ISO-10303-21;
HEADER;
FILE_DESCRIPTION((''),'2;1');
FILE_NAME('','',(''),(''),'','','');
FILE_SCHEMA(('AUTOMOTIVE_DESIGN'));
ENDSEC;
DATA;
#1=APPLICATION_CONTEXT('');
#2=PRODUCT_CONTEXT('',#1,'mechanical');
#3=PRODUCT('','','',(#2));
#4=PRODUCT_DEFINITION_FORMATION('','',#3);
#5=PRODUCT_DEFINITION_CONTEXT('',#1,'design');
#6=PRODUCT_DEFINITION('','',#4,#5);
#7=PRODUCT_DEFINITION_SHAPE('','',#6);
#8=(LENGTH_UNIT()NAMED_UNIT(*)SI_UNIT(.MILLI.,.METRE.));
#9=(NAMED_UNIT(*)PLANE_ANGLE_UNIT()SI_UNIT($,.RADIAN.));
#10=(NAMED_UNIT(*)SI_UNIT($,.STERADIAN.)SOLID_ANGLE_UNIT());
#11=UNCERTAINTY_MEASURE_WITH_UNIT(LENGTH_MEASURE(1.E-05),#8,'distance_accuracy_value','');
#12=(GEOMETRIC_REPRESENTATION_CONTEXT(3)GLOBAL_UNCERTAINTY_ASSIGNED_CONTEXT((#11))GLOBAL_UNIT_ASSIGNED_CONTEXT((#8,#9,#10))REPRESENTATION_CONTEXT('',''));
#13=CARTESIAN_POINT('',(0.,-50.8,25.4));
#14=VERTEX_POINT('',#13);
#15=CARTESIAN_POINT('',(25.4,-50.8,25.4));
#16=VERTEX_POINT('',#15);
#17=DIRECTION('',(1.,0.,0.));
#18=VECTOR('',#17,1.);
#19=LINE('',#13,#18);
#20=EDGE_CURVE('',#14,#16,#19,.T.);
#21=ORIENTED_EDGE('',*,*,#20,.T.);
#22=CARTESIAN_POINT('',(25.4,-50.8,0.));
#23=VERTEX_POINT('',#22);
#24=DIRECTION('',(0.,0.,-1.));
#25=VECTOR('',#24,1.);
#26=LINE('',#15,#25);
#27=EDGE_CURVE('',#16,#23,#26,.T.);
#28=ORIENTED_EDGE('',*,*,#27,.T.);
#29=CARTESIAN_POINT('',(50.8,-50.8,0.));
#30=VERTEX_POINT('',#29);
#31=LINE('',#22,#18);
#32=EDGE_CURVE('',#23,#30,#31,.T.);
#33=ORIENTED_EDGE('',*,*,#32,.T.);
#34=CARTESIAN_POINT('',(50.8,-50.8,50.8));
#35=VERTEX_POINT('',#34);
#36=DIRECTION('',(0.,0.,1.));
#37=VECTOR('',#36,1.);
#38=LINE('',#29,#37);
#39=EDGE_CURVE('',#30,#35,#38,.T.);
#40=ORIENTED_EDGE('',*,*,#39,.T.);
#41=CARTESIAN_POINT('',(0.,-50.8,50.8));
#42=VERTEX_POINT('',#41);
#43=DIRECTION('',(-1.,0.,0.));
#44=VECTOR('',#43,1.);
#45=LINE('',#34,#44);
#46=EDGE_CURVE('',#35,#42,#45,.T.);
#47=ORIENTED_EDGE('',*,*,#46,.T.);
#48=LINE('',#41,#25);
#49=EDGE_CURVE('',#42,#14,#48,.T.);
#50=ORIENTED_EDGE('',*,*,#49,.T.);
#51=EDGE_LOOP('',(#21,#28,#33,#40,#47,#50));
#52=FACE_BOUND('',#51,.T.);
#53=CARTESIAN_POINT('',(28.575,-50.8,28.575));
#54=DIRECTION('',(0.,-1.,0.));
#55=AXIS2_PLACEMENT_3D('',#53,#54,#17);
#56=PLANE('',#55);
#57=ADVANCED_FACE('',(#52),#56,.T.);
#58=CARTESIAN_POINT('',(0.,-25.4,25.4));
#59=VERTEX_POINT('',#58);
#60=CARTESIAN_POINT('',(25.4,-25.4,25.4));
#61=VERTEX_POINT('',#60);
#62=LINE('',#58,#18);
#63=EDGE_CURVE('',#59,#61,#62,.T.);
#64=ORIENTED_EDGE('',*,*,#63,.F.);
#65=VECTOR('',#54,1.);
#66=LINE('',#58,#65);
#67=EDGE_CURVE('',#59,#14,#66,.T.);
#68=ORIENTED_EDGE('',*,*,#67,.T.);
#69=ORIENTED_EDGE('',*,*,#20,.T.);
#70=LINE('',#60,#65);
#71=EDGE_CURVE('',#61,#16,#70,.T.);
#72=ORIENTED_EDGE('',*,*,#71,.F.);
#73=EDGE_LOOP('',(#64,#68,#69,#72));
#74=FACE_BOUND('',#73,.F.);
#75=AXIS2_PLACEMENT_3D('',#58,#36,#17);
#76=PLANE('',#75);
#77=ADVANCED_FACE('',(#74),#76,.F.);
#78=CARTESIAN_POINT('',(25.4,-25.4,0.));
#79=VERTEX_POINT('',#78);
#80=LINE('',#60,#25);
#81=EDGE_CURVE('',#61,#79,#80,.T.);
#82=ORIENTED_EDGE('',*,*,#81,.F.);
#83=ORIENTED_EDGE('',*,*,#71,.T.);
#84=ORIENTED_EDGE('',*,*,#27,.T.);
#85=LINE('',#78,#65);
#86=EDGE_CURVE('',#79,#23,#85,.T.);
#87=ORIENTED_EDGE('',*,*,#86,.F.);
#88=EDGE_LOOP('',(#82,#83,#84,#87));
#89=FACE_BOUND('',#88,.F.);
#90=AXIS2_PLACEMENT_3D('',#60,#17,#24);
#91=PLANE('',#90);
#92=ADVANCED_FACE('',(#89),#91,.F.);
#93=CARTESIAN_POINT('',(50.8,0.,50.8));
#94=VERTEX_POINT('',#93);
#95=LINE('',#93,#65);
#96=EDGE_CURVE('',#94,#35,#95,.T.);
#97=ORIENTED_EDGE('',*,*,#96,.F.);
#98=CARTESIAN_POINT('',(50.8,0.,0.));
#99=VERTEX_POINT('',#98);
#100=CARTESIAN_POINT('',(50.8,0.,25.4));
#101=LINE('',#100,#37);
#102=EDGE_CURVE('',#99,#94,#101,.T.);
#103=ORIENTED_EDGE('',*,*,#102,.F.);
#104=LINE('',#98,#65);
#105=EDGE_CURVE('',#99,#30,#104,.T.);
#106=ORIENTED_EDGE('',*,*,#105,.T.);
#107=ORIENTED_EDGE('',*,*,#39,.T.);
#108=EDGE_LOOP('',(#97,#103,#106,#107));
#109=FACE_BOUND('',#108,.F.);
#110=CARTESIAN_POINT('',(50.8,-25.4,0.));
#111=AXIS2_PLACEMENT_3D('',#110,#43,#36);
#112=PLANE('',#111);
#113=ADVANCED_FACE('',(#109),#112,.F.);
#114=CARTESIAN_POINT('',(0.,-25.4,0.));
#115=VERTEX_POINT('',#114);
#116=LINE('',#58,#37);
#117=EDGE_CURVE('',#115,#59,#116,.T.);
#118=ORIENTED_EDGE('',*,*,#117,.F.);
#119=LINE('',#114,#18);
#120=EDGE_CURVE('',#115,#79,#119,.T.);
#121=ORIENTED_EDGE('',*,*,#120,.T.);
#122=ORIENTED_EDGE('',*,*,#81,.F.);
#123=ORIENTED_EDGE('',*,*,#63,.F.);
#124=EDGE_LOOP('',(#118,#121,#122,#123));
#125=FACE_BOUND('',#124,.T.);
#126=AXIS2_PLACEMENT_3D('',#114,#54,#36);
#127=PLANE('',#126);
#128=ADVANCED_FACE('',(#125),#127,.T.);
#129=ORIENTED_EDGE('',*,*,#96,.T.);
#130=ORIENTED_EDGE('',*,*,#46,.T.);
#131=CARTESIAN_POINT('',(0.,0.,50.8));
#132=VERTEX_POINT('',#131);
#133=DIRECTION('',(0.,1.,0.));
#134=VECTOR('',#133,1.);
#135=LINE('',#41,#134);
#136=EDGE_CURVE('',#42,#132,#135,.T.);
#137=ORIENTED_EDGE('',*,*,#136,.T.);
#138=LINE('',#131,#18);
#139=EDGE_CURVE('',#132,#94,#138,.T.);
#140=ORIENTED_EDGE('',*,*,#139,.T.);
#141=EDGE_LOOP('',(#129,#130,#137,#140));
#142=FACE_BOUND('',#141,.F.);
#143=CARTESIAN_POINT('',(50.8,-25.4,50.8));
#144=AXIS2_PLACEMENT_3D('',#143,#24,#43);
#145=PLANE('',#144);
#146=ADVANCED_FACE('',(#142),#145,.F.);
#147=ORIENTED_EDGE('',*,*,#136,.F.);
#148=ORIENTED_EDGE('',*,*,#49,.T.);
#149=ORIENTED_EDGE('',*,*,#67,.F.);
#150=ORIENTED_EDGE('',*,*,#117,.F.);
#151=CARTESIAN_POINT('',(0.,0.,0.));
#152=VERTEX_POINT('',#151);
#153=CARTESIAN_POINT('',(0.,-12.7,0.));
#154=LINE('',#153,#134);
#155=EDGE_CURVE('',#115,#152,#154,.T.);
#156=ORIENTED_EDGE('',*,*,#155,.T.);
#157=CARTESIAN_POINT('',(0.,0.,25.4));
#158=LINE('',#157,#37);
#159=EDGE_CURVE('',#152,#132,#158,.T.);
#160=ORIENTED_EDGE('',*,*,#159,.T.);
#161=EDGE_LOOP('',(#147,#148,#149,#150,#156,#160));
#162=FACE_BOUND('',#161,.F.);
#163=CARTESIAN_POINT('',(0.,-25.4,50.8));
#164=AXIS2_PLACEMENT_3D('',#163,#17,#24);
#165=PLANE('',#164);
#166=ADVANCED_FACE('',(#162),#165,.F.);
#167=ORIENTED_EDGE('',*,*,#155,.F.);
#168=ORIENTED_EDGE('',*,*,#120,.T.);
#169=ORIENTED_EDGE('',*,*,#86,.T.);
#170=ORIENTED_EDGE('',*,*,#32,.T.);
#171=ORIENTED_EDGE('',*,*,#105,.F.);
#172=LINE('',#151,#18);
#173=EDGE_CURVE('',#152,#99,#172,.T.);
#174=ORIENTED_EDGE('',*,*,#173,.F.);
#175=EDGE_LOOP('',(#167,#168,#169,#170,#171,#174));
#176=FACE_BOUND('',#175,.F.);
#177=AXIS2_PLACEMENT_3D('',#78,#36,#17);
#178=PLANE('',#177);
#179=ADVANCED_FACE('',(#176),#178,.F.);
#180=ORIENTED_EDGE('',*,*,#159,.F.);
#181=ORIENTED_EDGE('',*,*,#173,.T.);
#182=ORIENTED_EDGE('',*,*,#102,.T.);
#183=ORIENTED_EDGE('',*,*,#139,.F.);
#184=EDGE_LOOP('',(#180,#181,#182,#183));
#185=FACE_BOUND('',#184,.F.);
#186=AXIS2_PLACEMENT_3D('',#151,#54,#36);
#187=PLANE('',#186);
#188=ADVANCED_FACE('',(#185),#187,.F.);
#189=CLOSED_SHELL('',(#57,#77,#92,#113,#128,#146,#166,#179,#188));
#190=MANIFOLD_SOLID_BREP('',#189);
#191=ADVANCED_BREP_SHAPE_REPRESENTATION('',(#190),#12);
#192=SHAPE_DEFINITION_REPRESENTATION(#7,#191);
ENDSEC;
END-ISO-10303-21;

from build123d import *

# Parameters (mm, degrees)
F0_W     = 25.4
F0_H     = 50.8
F1_DEPTH = 50.8
F3_DEPTH = 25.4


with BuildPart() as f1:
    # F0 (on Right) → F1 (new body)
    with BuildSketch(Plane.YZ):
        with Locations((-12.7, 25.4)):
            Rectangle(F0_W, F0_H)
    extrude(amount=F1_DEPTH)

    # F2 (on face) → F3 (join)
    with BuildSketch(Plane.XZ.offset(25.4)):
        Polygon((25.4, 25.4), (25.4, 0), (50.8, 0), (50.8, 50.8), (0, 50.8), (0, 25.4), align=None)
    extrude(amount=F3_DEPTH)


solid = f1.part
